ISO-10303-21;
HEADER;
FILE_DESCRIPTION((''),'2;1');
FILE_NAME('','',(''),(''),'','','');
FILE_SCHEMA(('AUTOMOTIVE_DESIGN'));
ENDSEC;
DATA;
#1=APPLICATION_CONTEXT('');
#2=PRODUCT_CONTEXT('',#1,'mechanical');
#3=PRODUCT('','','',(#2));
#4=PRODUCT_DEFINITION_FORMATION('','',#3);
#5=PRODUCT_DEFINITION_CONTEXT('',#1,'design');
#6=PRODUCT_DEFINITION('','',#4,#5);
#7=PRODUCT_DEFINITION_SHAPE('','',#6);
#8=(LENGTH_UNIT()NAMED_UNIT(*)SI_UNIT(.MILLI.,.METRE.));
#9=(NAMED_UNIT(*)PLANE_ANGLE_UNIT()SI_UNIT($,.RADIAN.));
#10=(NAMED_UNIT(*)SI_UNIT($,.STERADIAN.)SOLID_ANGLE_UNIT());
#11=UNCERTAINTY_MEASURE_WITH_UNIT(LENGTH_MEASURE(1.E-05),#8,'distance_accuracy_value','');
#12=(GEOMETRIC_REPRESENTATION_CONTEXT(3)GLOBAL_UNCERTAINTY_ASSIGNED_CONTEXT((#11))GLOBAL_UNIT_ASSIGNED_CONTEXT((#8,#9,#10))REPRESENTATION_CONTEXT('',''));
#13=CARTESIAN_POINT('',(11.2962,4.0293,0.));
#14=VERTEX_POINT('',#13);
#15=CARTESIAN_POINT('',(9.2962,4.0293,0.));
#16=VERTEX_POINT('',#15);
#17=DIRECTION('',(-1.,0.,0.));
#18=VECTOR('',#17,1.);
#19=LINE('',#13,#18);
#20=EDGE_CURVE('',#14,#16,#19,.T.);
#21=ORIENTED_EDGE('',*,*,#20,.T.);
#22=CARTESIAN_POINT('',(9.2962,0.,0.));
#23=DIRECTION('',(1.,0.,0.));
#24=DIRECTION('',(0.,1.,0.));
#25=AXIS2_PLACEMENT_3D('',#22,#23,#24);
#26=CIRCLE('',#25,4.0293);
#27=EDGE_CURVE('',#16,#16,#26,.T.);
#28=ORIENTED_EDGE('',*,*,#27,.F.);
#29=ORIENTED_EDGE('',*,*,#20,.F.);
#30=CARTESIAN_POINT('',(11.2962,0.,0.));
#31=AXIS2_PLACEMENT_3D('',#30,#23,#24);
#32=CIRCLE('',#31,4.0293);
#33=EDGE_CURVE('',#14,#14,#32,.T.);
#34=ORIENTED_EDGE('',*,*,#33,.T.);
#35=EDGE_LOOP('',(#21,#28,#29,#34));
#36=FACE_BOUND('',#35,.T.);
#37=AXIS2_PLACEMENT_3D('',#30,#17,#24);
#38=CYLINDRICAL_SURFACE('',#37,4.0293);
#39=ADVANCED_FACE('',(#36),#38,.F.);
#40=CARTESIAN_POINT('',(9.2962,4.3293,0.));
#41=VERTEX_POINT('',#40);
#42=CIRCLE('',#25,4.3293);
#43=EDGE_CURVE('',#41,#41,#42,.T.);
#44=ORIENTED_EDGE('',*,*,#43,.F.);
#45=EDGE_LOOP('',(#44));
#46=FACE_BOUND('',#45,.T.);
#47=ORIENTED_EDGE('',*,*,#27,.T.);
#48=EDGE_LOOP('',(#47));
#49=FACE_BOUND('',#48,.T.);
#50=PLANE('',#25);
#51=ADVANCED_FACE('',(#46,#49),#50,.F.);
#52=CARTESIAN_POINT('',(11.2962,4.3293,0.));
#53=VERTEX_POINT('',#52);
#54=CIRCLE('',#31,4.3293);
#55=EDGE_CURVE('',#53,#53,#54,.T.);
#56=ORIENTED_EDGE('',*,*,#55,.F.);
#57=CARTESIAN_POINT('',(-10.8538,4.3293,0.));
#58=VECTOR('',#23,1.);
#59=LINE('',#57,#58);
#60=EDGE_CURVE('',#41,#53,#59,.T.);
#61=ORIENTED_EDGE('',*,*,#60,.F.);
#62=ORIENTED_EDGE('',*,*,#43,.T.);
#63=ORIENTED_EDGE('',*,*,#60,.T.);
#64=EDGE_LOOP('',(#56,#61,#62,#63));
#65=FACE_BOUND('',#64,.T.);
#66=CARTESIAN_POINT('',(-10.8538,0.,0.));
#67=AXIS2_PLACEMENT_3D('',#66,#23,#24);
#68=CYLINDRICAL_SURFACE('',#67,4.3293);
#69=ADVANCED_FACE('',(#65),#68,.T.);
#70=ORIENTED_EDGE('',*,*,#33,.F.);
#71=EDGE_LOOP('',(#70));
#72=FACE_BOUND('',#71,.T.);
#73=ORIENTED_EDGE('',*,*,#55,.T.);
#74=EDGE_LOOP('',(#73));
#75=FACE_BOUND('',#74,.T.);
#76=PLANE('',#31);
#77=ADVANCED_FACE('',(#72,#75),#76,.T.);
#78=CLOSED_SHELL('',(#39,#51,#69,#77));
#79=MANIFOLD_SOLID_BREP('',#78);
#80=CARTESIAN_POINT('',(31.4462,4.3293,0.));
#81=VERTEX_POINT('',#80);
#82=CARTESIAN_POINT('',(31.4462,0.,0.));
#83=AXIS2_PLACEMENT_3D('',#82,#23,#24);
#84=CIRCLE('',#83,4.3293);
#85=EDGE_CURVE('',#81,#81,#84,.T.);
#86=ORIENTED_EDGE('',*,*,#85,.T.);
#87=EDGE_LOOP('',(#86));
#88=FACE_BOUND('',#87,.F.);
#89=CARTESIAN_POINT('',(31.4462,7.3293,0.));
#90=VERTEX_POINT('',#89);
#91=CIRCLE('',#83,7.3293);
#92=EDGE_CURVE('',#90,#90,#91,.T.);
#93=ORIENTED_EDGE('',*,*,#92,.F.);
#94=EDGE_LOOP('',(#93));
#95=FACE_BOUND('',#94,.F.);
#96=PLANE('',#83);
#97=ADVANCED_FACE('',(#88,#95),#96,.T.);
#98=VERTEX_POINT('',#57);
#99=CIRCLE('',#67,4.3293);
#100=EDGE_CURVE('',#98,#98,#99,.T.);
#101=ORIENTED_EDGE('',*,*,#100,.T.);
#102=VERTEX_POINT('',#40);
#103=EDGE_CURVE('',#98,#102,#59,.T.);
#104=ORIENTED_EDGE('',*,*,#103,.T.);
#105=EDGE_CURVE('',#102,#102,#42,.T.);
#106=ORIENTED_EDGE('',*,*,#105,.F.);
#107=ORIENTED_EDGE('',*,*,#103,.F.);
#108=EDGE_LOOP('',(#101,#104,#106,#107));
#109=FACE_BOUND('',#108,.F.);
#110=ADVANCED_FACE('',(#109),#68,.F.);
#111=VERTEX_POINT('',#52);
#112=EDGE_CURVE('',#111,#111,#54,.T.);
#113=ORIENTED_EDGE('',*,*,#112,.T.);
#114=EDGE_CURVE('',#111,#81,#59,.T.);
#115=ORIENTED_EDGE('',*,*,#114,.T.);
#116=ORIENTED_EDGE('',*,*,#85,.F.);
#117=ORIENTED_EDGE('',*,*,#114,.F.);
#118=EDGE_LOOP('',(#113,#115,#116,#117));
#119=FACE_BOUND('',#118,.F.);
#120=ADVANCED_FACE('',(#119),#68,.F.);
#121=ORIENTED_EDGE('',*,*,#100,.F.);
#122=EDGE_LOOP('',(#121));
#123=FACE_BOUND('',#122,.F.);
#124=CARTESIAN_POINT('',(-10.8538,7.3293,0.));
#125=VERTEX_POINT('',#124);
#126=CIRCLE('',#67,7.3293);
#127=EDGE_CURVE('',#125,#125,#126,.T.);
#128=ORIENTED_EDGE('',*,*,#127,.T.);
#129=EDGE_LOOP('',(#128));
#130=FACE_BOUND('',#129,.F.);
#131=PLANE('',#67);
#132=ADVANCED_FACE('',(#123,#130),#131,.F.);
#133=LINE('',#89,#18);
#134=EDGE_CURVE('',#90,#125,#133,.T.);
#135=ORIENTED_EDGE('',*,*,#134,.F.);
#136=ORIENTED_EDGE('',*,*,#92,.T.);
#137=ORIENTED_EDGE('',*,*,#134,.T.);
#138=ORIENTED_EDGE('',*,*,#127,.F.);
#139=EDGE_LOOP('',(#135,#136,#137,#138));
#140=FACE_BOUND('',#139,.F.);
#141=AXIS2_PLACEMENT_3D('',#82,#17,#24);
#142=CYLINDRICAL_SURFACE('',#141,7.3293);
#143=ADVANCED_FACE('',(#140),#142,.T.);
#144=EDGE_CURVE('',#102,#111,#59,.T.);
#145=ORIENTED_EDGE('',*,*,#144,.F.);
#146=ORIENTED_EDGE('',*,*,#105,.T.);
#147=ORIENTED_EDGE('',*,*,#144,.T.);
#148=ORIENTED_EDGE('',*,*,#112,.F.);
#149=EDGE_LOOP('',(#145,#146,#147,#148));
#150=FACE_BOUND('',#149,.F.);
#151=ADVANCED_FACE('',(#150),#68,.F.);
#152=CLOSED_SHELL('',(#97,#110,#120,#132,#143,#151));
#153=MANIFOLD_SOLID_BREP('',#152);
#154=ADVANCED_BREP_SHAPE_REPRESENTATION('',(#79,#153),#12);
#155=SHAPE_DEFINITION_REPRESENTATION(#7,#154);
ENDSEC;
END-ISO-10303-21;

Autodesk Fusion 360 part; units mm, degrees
sketch "Sketch1" plane through (0, 0, 0) normal (0, 0, 1) x (1, 0, 0)
  line L0 (-10.8538, 4.3293) -> (31.4462, 4.3293)
  line L1 (31.4462, 4.3293) -> (31.4462, 7.3293)
  line L2 (31.4462, 7.3293) -> (-10.8538, 7.3293)
  line L3 (-10.8538, 7.3293) -> (-10.8538, 4.3293)
  line L4 (10.2962, 7.3293) -> (10.2962, 4.3293) construction
  line L5 (31.4462, 5.8293) -> (-10.8538, 5.8293) construction
  line L6 (9.2962, 4.3293) -> (11.2962, 4.3293)
  line L7 (11.2962, 4.3293) -> (11.2962, 4.0293)
  line L8 (11.2962, 4.0293) -> (9.2962, 4.0293)
  line L9 (9.2962, 4.0293) -> (9.2962, 4.3293)
  line L10 (10.2962, 4.3293) -> (10.2962, 4.0293) construction
  dimension "d1" = 3
  dimension "d2" = 42.3
  dimension "d3" = 0.3
  dimension "d4" = 2
revolve "Revolve2" add sketch "Sketch1" angle 360 about axis through (1.75, 0, 0) along (1, 0, 0) contours L0 L1 L2 L3 L6 makes body 1
revolve "Revolve1" add sketch "Sketch1" angle 360 about axis through (1.75, 0, 0) along (1, 0, 0) separate body contours L0 L6 L7 L8 L9 makes body 2
sketch "Sketch2" plane through (31.4462, 0, 0) normal (1, 0, 0) x (0, 0, -1)
  circle A0 centre (0, 0) radius 7.3293
  circle A1 centre (0, 0) radius 4.3293
